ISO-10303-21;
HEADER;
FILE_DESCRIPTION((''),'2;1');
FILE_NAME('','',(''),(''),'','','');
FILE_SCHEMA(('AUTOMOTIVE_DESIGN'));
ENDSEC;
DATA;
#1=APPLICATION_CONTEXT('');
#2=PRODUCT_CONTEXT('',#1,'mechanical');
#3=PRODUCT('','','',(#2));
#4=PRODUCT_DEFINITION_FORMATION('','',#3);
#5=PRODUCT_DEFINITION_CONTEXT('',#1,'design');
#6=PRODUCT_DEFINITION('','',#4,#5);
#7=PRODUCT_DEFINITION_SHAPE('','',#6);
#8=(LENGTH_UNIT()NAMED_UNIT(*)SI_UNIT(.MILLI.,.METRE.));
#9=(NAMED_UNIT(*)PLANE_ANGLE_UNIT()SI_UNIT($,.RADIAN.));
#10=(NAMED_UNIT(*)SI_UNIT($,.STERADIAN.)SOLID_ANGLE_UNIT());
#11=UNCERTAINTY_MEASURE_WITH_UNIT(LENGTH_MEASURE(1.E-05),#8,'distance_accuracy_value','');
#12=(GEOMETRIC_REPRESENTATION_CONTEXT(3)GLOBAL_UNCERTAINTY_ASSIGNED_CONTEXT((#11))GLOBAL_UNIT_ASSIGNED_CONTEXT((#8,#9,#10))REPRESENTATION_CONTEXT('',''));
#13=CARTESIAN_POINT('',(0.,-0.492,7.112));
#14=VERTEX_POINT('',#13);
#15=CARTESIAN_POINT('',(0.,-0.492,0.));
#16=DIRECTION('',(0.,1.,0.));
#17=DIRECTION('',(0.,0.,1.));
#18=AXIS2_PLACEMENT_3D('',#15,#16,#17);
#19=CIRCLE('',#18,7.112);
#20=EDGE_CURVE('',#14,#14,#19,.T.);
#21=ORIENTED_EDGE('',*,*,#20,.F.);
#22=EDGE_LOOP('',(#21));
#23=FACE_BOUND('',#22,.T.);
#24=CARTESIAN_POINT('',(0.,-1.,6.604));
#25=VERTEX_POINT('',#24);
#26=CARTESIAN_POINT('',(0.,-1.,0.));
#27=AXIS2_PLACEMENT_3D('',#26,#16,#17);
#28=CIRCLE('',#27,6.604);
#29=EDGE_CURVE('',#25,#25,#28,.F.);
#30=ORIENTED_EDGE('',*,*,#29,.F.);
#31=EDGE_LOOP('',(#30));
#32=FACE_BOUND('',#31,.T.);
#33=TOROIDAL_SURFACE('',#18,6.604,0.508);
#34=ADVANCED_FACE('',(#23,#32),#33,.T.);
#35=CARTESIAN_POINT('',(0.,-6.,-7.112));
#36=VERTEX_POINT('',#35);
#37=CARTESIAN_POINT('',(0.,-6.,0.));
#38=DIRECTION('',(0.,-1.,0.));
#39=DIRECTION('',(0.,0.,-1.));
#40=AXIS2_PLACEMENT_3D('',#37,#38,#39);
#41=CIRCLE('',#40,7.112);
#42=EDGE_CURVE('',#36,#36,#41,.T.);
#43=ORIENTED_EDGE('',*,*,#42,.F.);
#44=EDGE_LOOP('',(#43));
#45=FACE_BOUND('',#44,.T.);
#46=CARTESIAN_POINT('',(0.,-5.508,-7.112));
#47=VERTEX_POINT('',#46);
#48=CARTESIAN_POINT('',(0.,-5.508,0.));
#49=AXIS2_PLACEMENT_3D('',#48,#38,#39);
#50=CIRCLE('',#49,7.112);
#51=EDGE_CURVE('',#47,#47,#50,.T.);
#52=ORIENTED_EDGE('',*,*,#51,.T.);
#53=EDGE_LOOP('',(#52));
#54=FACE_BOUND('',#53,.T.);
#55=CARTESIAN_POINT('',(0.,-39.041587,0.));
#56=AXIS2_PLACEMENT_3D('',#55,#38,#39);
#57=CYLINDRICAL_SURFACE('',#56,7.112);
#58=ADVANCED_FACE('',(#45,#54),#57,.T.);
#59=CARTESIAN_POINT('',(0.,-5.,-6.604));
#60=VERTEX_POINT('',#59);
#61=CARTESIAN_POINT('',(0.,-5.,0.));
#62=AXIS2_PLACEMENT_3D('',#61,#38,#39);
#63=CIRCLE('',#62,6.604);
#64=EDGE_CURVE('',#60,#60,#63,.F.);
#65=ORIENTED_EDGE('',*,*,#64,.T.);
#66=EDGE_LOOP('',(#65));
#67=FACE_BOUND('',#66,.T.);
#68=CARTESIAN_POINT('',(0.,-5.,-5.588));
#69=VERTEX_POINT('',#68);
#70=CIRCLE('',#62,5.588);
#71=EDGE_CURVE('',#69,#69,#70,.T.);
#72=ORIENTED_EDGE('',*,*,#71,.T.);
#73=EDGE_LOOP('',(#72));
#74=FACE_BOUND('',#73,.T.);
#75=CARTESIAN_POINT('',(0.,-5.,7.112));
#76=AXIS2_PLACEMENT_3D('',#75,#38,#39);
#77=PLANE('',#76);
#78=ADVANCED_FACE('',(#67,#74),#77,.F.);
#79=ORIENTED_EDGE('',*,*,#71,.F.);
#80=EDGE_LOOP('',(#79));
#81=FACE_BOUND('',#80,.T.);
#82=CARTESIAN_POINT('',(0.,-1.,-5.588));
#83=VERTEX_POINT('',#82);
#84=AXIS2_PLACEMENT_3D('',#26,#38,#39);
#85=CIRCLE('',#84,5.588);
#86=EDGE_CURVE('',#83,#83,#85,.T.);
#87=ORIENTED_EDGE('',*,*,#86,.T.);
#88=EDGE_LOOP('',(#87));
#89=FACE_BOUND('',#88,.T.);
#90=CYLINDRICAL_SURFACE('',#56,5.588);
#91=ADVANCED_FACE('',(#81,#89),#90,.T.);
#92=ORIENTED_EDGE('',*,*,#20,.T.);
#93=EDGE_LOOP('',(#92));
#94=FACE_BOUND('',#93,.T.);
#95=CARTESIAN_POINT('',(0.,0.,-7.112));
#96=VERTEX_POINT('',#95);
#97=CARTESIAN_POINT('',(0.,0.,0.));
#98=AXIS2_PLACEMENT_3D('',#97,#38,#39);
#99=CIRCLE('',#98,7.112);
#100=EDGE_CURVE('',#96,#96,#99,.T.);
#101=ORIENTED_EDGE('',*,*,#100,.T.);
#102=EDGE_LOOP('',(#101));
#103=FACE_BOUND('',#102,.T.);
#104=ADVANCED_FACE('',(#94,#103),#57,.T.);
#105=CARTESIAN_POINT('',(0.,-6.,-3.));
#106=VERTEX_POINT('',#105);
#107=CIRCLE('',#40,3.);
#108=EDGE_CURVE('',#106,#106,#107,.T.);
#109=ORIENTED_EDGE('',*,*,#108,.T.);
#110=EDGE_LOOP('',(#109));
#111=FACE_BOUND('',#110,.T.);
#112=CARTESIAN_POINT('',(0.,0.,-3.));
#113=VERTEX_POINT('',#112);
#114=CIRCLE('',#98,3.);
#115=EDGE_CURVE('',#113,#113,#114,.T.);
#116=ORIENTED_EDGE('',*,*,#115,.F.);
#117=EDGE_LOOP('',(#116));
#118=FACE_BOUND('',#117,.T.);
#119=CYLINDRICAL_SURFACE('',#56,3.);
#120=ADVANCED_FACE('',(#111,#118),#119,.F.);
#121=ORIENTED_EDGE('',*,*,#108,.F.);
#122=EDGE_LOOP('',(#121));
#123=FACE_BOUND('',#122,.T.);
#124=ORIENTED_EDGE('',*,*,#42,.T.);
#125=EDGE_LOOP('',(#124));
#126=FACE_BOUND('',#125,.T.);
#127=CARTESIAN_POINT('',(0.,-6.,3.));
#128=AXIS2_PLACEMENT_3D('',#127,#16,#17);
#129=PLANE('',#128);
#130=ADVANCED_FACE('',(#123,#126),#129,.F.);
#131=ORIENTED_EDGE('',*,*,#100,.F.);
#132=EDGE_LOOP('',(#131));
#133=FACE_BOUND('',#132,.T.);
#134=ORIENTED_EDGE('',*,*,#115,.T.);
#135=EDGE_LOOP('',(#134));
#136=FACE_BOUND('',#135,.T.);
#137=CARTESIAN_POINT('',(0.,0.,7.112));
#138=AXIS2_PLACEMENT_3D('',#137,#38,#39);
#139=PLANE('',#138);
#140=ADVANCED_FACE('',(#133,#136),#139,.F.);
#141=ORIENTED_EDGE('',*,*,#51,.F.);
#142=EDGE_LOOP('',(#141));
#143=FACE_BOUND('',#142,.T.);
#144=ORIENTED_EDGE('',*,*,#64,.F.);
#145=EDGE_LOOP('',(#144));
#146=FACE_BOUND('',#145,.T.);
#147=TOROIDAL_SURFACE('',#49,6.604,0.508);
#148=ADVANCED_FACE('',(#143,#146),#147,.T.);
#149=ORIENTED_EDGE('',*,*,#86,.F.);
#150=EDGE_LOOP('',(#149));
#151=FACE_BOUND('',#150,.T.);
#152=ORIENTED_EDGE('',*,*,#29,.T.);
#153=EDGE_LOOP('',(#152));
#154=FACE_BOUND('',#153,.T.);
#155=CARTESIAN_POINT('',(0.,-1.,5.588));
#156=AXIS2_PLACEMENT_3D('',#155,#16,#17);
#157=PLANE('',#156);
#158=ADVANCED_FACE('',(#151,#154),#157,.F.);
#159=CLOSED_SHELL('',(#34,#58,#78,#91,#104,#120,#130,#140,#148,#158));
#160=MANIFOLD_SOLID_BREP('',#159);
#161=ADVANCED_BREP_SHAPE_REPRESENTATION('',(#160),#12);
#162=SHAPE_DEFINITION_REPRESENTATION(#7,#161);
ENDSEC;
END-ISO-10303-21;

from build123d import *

# Parameters (mm, degrees)
FILLET1_R = 0.508


with BuildPart() as part:
    # Sketch1 → Revolve1 (revolve)
    with BuildSketch(Plane.YZ, mode=Mode.PRIVATE) as revolve1_sk:
        Polygon((0, 3.000000096), (-6.000000192, 3.000000096), (-6.000000192, 7.112), (-5.00000016, 7.112), (-5.00000016, 5.588), (-1.000000032, 5.588), (-1.000000032, 7.112), (0, 7.112), align=None)
    revolve(revolve1_sk.sketch.rotate(Axis((0, -39.041586513, 0), (0, 1, 0)), 180), axis=Axis((0, -39.041586513, 0), (0, 1, 0)))

    # Fillet1
    fillet1_edges = [part.edges().sort_by_distance(p)[0] for p in [
        (0, -1.000000032, 7.112),
        (0, -5.00000016, 7.112),
    ]]
    fillet(fillet1_edges, radius=FILLET1_R)


solid = part.part
